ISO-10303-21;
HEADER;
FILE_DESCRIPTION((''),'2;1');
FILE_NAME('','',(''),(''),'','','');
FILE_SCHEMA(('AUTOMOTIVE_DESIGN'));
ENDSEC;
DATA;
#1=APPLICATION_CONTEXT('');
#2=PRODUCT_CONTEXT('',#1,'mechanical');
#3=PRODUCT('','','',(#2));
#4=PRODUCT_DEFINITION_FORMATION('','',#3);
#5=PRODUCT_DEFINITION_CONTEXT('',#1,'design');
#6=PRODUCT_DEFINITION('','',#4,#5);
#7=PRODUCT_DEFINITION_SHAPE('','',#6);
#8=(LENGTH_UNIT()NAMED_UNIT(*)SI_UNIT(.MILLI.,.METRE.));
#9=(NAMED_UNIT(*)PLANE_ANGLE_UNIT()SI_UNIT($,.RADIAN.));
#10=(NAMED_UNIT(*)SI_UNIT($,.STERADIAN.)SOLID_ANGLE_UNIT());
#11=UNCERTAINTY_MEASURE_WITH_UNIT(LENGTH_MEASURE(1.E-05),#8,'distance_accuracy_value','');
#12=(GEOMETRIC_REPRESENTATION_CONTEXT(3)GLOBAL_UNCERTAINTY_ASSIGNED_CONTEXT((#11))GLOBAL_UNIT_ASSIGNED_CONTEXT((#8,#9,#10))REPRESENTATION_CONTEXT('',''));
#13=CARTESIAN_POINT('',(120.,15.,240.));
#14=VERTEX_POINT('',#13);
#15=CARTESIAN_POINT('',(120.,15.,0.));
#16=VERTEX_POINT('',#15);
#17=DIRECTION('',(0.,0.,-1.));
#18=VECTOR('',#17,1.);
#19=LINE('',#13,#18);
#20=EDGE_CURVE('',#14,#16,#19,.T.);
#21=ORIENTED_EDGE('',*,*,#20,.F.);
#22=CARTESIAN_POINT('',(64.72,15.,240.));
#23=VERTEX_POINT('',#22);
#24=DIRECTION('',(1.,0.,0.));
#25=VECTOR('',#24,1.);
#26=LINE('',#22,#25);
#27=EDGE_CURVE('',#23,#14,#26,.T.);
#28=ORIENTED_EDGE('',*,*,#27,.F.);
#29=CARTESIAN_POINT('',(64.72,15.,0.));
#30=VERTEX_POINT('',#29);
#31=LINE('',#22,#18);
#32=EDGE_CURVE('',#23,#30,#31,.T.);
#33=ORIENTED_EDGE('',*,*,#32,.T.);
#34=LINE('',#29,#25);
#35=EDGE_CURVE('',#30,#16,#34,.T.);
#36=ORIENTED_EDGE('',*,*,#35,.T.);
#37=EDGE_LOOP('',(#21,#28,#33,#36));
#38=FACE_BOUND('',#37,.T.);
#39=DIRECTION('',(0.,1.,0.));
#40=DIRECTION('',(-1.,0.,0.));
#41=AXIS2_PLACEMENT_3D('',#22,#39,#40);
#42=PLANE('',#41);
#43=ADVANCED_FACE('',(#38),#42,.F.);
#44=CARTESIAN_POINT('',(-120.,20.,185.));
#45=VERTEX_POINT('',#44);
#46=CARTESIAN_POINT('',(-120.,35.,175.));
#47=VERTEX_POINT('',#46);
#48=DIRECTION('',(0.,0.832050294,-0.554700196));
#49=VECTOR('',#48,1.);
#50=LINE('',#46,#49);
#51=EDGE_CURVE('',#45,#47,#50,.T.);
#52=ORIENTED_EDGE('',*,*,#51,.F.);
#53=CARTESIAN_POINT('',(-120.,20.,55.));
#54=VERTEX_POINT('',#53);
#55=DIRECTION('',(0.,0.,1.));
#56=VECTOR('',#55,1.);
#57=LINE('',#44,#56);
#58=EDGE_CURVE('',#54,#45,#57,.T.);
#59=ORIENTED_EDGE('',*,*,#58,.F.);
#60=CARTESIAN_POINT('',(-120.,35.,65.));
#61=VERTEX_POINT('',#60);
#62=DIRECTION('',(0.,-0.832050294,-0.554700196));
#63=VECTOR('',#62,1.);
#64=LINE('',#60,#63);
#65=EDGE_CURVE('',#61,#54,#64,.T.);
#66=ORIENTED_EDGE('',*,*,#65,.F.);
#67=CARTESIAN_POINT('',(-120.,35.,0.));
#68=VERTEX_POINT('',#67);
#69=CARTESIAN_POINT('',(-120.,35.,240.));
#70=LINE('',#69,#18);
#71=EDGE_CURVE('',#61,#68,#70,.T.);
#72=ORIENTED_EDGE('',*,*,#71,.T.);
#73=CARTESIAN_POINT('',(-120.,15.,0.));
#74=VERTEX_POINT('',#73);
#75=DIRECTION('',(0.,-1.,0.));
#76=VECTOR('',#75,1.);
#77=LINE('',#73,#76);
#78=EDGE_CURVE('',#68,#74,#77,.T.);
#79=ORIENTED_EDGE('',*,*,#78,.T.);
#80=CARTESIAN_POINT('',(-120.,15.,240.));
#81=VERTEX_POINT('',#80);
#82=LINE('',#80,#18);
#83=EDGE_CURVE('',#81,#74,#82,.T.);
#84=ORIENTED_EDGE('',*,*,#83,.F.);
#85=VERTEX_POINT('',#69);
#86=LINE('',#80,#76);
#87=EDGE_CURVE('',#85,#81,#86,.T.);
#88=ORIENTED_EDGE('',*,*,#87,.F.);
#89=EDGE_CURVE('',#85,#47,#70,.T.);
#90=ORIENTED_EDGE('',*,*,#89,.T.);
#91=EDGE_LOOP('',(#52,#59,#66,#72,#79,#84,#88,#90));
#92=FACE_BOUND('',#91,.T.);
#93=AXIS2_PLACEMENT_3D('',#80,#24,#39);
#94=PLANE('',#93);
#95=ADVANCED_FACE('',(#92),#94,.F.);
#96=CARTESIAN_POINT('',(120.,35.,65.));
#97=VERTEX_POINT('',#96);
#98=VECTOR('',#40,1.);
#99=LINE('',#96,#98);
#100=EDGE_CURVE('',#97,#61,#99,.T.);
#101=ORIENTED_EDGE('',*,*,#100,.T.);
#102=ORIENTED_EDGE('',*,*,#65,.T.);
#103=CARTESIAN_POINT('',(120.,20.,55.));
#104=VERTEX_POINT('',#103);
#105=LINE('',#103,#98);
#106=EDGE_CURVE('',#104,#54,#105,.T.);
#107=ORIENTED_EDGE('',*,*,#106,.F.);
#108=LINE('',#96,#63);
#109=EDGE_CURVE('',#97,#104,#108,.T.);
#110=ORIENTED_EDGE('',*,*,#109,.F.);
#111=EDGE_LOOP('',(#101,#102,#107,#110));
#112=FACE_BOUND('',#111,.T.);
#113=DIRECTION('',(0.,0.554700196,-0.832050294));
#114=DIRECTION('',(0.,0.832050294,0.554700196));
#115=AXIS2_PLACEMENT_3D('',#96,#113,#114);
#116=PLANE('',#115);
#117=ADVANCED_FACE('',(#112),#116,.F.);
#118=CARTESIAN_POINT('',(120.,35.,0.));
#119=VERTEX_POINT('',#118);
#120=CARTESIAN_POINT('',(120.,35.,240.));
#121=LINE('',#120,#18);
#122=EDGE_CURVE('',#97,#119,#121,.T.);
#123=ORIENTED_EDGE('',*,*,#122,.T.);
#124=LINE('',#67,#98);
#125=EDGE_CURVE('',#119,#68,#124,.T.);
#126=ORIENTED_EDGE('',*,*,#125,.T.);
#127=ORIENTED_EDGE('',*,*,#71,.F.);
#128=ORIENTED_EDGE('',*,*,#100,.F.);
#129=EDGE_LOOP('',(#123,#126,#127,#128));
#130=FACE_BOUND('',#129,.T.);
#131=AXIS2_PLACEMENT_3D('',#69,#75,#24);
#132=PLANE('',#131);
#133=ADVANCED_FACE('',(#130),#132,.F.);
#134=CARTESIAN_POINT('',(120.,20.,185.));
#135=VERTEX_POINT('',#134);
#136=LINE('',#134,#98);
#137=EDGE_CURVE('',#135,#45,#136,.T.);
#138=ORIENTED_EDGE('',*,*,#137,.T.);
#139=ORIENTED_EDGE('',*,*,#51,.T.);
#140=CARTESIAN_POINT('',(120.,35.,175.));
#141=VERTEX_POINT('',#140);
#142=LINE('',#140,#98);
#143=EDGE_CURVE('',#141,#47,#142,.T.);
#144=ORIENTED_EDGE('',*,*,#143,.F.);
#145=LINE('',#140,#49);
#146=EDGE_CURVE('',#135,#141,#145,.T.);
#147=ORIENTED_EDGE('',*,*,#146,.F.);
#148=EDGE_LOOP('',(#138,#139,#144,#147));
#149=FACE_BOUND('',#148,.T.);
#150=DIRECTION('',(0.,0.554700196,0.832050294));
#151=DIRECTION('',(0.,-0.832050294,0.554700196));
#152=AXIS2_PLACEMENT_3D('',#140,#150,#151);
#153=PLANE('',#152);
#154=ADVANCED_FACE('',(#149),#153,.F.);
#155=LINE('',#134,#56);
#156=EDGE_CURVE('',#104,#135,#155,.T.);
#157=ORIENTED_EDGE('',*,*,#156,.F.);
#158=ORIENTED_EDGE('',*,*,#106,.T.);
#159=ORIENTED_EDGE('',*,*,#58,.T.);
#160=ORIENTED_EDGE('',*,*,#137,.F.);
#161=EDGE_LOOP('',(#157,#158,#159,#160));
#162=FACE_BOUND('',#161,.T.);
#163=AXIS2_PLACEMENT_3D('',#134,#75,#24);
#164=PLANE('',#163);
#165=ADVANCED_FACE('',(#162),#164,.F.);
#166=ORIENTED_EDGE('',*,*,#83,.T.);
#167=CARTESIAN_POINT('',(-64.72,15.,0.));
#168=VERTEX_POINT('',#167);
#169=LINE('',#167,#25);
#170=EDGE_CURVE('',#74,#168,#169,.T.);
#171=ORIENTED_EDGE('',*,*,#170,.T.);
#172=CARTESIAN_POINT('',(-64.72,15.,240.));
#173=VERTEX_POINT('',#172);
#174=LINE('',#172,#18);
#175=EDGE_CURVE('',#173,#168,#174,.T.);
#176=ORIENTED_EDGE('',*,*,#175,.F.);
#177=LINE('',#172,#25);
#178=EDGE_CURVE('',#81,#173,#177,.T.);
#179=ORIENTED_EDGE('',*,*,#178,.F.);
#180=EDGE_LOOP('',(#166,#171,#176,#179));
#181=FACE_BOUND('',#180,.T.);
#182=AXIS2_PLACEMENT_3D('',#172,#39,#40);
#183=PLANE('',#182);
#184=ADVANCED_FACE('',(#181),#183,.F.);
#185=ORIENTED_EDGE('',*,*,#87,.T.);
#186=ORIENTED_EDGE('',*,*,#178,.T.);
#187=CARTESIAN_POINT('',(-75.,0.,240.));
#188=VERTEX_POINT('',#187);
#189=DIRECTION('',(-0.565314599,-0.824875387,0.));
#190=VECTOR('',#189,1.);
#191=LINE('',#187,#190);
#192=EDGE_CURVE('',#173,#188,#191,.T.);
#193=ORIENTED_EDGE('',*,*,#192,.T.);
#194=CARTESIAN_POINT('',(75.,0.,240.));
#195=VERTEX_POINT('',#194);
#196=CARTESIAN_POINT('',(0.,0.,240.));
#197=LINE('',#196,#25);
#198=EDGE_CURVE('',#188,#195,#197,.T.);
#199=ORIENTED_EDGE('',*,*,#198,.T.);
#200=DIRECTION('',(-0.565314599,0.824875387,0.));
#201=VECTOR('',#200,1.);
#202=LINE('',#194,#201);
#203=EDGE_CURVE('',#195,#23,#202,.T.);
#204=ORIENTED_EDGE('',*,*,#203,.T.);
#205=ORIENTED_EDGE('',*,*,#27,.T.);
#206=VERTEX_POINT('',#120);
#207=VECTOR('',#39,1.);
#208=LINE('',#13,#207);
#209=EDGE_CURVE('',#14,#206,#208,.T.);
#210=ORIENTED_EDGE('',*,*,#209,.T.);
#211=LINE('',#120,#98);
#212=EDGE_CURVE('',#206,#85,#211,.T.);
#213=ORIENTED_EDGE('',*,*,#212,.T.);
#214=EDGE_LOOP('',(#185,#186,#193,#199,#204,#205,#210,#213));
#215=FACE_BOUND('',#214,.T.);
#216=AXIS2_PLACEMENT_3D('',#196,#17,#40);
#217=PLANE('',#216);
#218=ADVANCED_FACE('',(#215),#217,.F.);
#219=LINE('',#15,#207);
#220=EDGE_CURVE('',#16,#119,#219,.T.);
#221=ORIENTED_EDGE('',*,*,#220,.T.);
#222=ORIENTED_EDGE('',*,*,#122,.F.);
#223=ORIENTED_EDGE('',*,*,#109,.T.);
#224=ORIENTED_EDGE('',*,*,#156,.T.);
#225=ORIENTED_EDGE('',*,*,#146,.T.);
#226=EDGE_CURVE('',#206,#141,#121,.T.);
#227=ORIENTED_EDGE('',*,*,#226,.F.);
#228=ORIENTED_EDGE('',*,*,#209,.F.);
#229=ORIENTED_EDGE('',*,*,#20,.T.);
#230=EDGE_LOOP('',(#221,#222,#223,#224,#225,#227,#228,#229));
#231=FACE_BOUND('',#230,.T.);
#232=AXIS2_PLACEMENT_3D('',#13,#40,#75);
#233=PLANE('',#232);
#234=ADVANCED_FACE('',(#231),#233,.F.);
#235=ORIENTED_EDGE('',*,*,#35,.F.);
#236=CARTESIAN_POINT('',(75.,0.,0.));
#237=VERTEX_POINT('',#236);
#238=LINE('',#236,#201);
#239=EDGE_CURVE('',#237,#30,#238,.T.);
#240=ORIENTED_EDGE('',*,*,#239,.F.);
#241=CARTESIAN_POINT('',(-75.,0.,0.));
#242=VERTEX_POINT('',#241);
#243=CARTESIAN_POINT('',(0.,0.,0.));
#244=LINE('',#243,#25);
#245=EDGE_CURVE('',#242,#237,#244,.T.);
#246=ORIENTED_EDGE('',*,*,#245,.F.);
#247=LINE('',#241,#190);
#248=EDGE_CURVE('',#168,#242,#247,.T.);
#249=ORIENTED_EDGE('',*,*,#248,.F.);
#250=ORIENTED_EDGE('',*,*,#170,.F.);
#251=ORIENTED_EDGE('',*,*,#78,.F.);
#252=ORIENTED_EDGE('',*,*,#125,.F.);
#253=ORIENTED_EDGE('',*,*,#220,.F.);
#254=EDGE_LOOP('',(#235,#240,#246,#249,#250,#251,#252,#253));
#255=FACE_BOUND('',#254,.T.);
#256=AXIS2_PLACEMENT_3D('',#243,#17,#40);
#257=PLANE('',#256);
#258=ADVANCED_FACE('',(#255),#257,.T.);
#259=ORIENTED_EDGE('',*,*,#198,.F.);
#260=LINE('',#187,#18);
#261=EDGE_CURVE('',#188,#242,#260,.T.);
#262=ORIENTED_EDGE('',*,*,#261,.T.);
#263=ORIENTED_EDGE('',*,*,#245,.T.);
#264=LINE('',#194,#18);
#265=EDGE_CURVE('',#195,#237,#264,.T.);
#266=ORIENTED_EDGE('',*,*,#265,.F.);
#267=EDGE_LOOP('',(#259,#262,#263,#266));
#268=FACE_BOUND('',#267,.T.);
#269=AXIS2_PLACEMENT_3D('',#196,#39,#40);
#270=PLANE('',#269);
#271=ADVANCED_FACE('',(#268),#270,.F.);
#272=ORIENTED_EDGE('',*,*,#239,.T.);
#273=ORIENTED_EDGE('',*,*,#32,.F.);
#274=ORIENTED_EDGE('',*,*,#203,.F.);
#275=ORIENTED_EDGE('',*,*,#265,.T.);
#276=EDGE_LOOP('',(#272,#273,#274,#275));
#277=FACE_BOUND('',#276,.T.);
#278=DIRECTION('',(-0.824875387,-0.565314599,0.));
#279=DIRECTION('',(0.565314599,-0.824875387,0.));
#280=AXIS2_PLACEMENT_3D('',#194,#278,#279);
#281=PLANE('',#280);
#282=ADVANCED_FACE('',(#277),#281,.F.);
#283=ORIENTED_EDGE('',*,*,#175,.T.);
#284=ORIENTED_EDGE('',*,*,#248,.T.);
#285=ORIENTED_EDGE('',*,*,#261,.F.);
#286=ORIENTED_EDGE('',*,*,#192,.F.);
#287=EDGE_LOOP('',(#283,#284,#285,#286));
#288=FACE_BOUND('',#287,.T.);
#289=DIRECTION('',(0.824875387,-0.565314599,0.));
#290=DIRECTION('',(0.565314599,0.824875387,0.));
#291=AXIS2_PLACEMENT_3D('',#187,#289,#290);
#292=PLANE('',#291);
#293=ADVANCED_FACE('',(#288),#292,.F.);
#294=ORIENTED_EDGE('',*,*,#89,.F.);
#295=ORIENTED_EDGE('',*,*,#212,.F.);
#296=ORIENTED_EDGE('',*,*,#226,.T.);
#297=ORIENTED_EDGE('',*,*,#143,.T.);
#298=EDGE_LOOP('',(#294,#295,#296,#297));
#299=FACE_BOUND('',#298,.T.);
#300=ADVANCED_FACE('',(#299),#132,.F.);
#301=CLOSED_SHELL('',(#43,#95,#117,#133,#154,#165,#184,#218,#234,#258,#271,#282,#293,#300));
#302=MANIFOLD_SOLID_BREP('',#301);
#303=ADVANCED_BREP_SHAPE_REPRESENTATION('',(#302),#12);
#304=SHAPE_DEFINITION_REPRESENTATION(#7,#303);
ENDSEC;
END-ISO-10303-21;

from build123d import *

# Parameters (mm, degrees)
EXTRUDE_1_DEPTH     = 240
CUT_EXTRUDE_1_DEPTH = 241


with BuildPart() as part:
    # Эскиз1 → Бобышка-Вытянуть1 (new body)
    with BuildSketch(Plane.XY):
        Polygon((0, 0), (75, 0), (64.72, 15), (120, 15), (120, 35), (0, 35), (-120, 35), (-120, 15), (-64.72, 15), (-75, 0), align=None)
    extrude(amount=EXTRUDE_1_DEPTH)

    # Эскиз2 → Вырез-Вытянуть1 (cut, through all)
    with BuildSketch(Plane.ZY.offset(120)):
        Polygon((65, 35), (175, 35), (185, 20), (55, 20), align=None)
    extrude(amount=-CUT_EXTRUDE_1_DEPTH, mode=Mode.SUBTRACT)


solid = part.part
